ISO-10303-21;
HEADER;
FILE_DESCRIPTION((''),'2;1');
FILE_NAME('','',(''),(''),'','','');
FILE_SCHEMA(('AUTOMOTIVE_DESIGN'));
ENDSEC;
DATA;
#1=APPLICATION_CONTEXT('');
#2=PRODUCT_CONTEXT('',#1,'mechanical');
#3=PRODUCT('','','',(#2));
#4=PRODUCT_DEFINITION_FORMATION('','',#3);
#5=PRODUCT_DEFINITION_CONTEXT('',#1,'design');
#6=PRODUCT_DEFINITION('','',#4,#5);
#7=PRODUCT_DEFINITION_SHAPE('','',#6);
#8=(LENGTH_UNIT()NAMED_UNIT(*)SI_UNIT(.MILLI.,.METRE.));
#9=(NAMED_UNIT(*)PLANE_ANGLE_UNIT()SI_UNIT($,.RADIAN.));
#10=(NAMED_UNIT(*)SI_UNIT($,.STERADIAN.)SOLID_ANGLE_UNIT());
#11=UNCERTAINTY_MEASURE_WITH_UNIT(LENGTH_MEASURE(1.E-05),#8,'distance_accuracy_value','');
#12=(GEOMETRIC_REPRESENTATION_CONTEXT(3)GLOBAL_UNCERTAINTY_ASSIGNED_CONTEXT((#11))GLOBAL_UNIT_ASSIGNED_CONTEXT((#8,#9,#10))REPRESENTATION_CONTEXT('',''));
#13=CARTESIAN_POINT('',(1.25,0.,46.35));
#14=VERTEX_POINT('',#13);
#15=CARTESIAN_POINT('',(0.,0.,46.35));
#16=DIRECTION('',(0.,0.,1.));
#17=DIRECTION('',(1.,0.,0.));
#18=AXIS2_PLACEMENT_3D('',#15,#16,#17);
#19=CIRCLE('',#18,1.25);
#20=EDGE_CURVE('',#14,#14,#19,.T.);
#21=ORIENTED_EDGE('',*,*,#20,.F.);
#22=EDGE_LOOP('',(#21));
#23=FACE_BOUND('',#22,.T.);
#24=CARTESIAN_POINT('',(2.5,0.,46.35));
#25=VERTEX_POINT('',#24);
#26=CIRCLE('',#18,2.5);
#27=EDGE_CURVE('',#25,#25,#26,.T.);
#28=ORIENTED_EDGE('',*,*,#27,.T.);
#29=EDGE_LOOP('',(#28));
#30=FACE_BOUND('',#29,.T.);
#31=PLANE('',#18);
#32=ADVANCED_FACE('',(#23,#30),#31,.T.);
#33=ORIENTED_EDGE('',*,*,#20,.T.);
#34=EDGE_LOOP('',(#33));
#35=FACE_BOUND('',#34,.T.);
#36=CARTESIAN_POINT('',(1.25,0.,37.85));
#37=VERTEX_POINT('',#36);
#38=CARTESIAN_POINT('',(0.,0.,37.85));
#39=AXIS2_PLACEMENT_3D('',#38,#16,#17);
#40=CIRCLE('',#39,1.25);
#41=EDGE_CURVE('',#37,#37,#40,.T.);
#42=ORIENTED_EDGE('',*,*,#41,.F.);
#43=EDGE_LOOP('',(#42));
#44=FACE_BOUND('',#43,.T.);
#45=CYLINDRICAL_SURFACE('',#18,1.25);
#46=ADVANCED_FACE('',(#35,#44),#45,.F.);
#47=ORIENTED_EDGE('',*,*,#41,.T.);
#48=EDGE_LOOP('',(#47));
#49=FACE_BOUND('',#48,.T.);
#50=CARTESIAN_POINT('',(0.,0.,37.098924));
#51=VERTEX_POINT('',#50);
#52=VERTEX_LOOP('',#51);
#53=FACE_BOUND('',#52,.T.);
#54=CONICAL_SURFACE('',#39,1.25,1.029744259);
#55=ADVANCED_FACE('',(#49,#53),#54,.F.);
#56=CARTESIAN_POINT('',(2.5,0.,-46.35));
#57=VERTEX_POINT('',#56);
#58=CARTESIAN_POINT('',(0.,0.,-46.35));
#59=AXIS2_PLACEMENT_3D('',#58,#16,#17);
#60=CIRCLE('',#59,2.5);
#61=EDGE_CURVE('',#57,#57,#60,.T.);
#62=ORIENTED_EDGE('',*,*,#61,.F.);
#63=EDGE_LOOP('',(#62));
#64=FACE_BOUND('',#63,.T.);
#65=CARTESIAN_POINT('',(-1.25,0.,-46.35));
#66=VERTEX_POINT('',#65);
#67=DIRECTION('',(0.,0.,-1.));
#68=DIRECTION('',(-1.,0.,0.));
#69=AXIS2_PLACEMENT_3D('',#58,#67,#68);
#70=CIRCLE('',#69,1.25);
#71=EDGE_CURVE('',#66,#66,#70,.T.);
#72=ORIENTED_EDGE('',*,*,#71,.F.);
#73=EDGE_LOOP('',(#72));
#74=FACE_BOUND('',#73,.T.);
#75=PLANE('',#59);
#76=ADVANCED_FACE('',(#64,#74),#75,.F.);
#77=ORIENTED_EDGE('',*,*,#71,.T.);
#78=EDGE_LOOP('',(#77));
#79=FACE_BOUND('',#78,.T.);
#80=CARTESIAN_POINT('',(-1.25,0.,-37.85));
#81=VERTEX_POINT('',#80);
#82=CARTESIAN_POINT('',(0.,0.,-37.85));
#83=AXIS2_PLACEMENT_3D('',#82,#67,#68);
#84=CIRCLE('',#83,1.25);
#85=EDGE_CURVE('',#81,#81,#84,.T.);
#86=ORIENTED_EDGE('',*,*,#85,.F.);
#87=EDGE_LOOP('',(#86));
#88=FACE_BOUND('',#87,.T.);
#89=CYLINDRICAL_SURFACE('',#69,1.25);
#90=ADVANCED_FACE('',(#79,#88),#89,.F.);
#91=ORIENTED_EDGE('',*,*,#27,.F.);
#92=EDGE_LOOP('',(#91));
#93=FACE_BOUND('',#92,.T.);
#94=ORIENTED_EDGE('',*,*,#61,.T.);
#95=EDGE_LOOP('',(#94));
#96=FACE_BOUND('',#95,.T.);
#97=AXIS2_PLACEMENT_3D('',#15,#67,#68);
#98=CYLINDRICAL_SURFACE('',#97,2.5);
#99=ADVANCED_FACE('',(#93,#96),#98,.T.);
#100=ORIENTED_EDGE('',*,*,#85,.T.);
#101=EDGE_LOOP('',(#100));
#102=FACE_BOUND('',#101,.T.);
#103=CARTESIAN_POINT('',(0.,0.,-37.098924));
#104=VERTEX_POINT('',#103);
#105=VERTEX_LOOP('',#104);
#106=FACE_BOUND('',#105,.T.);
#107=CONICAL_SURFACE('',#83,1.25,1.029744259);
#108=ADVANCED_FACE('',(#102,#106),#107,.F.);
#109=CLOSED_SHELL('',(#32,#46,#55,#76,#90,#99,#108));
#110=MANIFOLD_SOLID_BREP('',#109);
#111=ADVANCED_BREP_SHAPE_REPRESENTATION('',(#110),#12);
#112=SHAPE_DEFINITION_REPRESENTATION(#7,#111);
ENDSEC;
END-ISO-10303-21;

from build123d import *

# Parameters (mm, degrees)
SKETCH_1_R               = 2.5
EXTRUDE_1_DEPTH          = 46.35
M3X0_5_1_D               = 2.5
M3X0_5_1_DEPTH           = 8.5
M3X0_5_1_TIP             = 0.751075774
M3X0_5_1_ON_FACE_2_D     = 2.5
M3X0_5_1_ON_FACE_2_DEPTH = 8.5
M3X0_5_1_ON_FACE_2_TIP   = 0.751075774


with BuildPart() as part:
    # ｽｹｯﾁ1 → ﾎﾞｽ - 押し出し1 (new body, symmetric)
    with BuildSketch(Plane.XY):
        Circle(SKETCH_1_R)
    extrude(amount=EXTRUDE_1_DEPTH, both=True)

    # M3x0.5 ねじ穴1
    with Locations(Plane.XY.offset(46.35)):
        with Locations((0, 0)):
            Hole(M3X0_5_1_D / 2, depth=M3X0_5_1_DEPTH)
            with Locations((0, 0, -(M3X0_5_1_DEPTH + M3X0_5_1_TIP / 2))):  # 118° drill point
                Cone(0, M3X0_5_1_D / 2, M3X0_5_1_TIP, mode=Mode.SUBTRACT)

    # M3x0.5 ねじ穴1 on face 2
    with Locations(Plane(origin=(0, 0, -46.35), x_dir=(-1, 0, 0), z_dir=(0, 0, -1))):
        with Locations((0, 0)):
            Hole(M3X0_5_1_ON_FACE_2_D / 2, depth=M3X0_5_1_ON_FACE_2_DEPTH)
            with Locations((0, 0, -(M3X0_5_1_ON_FACE_2_DEPTH + M3X0_5_1_ON_FACE_2_TIP / 2))):  # 118° drill point
                Cone(0, M3X0_5_1_ON_FACE_2_D / 2, M3X0_5_1_ON_FACE_2_TIP, mode=Mode.SUBTRACT)


solid = part.part
